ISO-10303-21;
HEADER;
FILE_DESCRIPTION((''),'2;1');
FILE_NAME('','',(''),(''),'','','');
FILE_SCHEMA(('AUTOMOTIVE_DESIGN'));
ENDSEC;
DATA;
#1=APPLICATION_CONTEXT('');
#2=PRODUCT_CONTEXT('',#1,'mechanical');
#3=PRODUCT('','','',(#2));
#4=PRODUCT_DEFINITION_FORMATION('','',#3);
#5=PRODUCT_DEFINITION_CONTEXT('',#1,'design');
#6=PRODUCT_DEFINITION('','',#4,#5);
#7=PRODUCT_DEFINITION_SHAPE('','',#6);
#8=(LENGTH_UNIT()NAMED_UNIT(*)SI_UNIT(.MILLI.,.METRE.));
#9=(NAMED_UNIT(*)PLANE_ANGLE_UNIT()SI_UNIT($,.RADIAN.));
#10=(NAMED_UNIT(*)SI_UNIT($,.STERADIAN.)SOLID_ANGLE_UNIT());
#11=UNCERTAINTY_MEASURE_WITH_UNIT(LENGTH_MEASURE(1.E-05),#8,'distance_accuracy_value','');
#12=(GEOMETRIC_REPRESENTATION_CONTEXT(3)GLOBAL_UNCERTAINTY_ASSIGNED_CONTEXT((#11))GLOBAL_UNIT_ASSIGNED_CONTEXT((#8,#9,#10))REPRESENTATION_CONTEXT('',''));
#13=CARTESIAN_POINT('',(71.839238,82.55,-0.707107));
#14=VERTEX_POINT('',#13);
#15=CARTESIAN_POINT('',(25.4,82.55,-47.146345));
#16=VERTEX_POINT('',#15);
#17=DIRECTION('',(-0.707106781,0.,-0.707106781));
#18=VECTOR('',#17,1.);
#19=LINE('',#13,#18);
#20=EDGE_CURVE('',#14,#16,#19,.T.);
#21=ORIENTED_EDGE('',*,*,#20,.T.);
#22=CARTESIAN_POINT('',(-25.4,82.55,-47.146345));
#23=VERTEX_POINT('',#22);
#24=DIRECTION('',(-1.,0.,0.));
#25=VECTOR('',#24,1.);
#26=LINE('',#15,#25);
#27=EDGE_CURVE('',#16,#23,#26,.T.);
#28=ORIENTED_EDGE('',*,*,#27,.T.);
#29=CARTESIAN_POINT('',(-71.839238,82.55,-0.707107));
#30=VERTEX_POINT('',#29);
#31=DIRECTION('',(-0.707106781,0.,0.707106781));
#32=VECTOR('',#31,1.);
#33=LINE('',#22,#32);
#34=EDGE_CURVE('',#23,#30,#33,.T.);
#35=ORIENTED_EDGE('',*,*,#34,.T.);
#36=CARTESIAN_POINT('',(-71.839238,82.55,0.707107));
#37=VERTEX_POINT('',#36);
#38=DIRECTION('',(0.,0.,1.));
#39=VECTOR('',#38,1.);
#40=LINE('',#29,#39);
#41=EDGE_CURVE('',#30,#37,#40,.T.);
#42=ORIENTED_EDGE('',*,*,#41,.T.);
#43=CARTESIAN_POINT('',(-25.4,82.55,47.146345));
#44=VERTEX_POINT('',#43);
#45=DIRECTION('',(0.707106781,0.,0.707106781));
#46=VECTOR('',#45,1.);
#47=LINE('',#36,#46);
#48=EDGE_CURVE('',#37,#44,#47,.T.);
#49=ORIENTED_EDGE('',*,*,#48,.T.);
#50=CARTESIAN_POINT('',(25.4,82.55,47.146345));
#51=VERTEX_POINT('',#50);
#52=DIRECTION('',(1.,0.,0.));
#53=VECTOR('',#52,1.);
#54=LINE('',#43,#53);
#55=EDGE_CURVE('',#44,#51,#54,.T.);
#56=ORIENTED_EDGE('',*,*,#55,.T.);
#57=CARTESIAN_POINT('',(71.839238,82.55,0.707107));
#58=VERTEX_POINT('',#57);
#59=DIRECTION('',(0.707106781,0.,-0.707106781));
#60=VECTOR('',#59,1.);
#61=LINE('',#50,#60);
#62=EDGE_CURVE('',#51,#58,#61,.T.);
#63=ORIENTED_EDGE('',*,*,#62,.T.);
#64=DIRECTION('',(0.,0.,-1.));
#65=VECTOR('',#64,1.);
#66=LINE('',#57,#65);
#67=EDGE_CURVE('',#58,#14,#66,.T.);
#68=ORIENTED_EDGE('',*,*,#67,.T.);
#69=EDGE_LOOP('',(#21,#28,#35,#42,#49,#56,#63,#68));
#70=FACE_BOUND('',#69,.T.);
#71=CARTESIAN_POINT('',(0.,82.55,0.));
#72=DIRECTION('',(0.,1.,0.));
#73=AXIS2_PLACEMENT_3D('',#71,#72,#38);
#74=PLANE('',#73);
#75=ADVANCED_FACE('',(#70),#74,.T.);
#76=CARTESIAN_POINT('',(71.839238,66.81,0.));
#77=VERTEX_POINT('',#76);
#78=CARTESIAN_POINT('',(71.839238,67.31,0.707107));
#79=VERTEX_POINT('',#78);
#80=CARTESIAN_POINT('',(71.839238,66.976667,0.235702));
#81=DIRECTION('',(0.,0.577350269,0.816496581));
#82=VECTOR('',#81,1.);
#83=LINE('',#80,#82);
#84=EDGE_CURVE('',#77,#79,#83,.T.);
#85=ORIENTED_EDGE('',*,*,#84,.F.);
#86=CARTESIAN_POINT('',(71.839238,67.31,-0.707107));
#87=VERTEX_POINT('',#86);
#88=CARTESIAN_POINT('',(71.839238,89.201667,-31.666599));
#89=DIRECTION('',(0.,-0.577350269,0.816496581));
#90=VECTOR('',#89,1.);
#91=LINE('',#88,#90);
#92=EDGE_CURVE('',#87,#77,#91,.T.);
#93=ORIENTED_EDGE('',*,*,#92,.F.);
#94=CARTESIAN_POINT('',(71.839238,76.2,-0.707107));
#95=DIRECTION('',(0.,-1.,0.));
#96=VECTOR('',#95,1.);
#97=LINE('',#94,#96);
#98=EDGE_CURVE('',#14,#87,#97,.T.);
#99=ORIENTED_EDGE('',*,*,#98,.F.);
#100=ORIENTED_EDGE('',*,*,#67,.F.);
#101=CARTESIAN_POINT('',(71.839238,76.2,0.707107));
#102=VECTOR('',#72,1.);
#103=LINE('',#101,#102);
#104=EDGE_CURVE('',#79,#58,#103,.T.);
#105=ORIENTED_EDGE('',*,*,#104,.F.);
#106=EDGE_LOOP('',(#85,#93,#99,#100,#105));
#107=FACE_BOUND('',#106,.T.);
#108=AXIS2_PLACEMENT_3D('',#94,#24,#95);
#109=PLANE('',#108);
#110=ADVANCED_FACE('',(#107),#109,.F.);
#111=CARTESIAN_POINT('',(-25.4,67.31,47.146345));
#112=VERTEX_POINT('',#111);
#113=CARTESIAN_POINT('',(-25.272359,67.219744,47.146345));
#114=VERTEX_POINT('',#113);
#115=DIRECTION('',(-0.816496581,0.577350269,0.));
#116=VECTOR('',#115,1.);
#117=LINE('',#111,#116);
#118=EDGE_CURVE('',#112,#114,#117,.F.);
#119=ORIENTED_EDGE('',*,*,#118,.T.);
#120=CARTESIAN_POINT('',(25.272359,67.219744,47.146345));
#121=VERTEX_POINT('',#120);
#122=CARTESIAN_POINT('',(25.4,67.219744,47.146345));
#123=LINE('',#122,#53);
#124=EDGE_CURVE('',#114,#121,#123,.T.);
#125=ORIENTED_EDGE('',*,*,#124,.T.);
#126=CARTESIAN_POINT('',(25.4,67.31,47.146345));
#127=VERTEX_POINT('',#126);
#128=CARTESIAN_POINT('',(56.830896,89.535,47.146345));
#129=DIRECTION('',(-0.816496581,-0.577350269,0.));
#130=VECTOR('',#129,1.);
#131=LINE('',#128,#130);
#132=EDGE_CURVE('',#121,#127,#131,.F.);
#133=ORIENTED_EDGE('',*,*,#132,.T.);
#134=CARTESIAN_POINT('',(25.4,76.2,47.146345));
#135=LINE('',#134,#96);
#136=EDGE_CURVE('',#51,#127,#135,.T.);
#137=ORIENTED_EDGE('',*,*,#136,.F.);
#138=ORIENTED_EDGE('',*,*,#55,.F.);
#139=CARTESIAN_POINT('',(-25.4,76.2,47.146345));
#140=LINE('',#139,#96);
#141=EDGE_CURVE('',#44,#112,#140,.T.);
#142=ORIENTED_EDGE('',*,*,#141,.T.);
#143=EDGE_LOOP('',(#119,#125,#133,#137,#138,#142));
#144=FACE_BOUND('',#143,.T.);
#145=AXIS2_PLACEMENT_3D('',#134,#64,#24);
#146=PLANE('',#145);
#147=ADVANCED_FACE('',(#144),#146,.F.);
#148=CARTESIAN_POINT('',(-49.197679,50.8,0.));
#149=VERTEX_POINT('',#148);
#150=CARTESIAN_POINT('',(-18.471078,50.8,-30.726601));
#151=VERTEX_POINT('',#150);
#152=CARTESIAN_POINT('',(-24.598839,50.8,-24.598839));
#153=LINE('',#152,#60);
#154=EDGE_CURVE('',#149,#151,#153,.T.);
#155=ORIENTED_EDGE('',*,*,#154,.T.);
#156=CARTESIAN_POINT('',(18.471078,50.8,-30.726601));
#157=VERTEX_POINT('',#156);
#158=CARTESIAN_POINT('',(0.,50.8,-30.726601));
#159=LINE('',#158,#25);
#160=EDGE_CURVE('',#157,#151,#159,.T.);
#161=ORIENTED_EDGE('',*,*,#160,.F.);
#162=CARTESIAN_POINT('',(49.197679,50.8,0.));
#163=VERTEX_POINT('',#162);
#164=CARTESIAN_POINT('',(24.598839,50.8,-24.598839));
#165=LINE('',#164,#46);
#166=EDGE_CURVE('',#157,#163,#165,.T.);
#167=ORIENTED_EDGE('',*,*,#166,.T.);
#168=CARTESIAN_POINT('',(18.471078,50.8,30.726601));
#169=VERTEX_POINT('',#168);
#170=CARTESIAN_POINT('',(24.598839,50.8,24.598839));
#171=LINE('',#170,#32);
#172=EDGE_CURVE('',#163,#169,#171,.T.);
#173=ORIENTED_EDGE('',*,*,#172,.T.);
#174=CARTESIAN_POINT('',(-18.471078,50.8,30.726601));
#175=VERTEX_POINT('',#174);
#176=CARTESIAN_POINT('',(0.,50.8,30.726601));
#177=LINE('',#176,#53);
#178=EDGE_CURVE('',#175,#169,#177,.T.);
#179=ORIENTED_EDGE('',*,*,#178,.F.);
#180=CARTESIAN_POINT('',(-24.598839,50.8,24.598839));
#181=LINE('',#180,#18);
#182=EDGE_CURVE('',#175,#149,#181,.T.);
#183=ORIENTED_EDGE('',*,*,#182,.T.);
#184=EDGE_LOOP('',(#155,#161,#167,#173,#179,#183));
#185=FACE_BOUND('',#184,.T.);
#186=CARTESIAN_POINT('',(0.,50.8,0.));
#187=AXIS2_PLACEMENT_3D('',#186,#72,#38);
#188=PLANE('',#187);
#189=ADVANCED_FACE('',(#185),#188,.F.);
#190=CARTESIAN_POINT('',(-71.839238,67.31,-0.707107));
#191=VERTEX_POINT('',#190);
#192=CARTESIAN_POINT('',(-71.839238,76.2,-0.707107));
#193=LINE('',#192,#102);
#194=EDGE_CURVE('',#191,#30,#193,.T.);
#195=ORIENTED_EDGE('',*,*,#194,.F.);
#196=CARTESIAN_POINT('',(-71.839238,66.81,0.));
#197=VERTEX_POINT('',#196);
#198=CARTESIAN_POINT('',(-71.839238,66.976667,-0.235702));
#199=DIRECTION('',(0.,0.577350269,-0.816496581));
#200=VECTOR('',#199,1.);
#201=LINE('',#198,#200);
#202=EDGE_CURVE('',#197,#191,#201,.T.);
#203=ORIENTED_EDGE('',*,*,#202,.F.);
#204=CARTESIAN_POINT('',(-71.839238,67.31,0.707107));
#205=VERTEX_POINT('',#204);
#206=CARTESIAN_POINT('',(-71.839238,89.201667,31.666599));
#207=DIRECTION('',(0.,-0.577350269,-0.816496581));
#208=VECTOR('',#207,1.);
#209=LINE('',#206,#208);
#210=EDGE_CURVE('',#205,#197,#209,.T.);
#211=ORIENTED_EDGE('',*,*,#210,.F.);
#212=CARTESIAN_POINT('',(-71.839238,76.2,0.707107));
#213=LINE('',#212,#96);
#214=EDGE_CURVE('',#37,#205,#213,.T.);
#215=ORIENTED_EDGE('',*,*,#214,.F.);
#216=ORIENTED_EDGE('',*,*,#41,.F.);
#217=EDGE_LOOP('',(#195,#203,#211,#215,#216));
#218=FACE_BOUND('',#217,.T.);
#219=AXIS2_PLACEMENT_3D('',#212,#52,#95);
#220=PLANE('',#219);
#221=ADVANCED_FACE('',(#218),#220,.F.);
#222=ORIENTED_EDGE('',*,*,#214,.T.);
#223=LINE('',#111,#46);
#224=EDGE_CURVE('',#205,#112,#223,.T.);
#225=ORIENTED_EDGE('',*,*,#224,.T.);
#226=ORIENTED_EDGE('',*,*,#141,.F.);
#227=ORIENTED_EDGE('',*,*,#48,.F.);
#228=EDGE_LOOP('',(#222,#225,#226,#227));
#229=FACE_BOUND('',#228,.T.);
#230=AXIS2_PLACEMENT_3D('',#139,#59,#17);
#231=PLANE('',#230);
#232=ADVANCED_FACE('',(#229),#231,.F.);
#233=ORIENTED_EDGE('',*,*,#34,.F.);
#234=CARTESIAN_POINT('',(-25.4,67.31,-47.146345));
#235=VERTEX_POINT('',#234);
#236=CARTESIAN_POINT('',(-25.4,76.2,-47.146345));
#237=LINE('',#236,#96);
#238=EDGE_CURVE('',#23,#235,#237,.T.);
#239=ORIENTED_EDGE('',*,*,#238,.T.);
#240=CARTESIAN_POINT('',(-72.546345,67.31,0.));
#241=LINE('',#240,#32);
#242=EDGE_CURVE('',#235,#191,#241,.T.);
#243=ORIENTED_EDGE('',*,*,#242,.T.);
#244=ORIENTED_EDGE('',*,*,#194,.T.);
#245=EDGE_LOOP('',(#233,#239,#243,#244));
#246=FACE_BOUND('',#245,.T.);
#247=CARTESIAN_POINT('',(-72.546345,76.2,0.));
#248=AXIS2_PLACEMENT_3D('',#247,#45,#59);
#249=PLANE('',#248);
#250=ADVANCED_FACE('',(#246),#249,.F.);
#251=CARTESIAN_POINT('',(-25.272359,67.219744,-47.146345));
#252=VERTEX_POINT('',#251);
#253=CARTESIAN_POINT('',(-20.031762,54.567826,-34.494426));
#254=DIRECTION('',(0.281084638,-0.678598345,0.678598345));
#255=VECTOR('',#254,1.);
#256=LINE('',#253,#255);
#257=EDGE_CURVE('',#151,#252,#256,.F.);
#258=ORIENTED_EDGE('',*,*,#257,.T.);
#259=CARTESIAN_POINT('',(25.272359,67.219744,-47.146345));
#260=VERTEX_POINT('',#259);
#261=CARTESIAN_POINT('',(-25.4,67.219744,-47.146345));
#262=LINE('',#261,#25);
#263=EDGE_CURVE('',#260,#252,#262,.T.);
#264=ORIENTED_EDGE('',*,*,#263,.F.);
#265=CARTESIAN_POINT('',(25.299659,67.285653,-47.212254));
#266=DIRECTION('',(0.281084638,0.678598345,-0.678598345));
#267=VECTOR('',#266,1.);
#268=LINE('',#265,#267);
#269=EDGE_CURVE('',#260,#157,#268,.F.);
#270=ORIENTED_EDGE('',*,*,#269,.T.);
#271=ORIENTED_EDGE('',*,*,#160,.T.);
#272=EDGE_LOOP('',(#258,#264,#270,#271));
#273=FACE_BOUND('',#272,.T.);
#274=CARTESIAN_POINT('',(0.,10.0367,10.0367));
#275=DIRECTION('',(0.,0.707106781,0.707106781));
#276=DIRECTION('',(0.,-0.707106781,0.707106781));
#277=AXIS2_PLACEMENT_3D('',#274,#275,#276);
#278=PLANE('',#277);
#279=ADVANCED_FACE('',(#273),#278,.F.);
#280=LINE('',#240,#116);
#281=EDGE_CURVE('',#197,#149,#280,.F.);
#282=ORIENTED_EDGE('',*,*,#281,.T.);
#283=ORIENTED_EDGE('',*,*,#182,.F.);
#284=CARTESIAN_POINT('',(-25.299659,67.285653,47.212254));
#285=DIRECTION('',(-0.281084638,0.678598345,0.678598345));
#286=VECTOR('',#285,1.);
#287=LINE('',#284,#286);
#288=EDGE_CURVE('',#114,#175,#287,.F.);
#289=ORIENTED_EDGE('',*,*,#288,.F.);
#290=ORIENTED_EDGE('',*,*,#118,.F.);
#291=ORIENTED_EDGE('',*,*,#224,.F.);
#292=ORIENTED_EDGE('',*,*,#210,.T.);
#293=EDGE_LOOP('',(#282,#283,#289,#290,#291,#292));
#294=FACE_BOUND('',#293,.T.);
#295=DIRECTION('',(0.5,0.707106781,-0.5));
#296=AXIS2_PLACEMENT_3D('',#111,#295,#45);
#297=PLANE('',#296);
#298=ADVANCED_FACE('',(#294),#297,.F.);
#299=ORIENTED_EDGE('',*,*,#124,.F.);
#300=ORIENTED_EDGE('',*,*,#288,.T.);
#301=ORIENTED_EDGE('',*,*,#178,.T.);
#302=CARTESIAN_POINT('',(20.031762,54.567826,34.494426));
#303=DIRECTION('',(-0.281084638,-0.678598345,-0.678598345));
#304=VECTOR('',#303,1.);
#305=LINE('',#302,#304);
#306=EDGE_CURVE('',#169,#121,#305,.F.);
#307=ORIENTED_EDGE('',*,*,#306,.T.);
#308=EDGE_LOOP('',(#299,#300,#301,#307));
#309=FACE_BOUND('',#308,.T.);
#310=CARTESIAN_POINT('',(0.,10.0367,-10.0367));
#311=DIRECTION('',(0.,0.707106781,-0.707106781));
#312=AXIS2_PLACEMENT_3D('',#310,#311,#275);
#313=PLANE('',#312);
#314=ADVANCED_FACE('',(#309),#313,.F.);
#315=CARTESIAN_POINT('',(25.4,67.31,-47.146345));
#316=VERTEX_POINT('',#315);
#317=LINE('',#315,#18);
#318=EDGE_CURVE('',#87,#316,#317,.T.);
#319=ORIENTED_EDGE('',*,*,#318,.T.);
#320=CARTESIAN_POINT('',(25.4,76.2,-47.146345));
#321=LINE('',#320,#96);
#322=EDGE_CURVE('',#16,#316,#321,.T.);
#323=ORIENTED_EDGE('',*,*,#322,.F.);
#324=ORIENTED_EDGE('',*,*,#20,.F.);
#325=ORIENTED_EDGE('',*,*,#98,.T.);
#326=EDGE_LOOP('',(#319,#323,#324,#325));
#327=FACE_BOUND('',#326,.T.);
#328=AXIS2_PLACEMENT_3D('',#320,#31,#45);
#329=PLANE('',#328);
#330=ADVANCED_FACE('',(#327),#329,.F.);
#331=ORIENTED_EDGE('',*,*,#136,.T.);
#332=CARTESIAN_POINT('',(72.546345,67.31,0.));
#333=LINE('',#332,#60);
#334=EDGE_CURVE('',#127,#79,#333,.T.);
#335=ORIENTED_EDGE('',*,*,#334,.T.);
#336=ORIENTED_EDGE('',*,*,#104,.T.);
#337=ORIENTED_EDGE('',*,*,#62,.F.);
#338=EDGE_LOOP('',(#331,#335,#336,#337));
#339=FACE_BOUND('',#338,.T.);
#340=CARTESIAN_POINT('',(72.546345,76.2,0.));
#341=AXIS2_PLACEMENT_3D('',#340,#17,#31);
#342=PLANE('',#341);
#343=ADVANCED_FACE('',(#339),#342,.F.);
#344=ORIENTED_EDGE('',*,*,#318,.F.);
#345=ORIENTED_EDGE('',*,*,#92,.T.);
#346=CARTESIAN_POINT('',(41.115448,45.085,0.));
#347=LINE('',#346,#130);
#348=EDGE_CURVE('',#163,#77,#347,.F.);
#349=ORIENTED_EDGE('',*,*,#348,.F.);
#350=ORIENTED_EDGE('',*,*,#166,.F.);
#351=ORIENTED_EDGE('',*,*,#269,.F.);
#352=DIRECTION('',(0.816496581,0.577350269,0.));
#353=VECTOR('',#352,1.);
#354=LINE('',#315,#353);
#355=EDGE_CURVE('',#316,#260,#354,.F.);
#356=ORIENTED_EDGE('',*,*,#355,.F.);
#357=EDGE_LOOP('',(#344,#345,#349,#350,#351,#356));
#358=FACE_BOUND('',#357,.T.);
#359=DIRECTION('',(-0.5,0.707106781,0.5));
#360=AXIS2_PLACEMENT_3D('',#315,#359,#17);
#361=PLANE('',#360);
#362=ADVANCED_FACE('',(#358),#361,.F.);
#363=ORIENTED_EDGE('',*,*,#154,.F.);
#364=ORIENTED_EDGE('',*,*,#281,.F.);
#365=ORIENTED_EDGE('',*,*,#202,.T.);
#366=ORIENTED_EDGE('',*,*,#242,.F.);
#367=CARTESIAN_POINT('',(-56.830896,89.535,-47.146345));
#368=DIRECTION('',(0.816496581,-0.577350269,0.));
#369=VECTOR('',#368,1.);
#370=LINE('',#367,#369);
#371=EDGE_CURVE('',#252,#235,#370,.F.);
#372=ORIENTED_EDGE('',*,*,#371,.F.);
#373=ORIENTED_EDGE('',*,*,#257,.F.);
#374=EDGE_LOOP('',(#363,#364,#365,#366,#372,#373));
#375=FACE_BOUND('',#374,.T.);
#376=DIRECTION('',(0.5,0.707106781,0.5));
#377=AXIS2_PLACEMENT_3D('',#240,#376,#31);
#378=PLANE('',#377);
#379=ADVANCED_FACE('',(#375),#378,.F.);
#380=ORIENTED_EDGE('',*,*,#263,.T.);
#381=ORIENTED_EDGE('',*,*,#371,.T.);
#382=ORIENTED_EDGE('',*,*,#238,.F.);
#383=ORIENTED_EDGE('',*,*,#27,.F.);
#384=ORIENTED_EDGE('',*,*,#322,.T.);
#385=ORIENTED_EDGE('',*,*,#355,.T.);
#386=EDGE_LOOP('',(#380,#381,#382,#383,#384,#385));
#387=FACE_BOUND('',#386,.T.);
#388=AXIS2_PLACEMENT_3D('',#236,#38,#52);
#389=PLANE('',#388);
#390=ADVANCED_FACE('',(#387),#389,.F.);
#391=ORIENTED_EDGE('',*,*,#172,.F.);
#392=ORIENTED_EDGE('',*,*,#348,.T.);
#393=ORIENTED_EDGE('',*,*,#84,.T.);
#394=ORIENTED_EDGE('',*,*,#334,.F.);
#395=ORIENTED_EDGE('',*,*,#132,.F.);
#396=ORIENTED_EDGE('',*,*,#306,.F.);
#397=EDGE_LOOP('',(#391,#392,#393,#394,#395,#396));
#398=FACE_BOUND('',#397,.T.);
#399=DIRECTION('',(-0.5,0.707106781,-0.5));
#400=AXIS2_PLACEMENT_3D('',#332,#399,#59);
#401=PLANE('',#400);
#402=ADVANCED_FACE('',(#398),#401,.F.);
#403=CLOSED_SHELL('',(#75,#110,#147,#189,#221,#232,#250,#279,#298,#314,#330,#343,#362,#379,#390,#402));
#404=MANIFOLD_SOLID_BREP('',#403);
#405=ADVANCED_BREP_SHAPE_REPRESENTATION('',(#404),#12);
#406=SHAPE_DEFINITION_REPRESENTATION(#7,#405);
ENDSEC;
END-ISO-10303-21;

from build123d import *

# Parameters (mm, degrees)
BOSS_EXTRUDE1_DEPTH = 76.2
CHAMFER1_SIZE       = 16.51
CHAMFER2_SIZE       = 1
BOSS_EXTRUDE2_DEPTH = 6.35


with BuildPart() as part:
    # Sketch1 → Boss-Extrude1 (new body)
    with BuildSketch(Plane(origin=(0, 0, 0), x_dir=(1, 0, 0), z_dir=(0, 1, 0))):
        Polygon((-25.4, 47.146344636), (25.4, 47.146344636), (72.546344636, 0), (25.4, -47.146344636), (-25.4, -47.146344636), (-72.546344636, 0), align=None)
    extrude(amount=BOSS_EXTRUDE1_DEPTH)

    # SurfaceCut1
    split(bisect_by=Plane(origin=(0, 10.036699622, 10.036699622), x_dir=(-1, 0, 0), z_dir=(0, 0.7071067811865464, 0.7071067811865488)), keep=Keep.TOP)

    # SurfaceCut2
    split(bisect_by=Plane(origin=(0, 10.036699622, -10.036699622), x_dir=(1, 0, 0), z_dir=(0, 0.7071067811865464, -0.7071067811865488)), keep=Keep.TOP)

    # SurfaceCut3
    split(bisect_by=Plane(origin=(0, 50.8, 0), x_dir=(1, 0, 0), z_dir=(0, 1, 0)), keep=Keep.TOP)

    # Chamfer1
    chamfer1_edges = [part.edges().sort_by_distance(p)[0] for p in [
        (-57.183044257, 50.8, 15.363300378),
        (-57.183044257, 50.8, -15.363300378),
        (57.183044257, 50.8, 15.363300378),
        (57.183044257, 50.8, -15.363300378),
    ]]
    chamfer(chamfer1_edges, length=CHAMFER1_SIZE)

    # Chamfer2
    chamfer2_edges = [part.edges().sort_by_distance(p)[0] for p in [
        (72.546344636, 71.755, 0),
        (-72.546344636, 71.755, 0),
    ]]
    chamfer(chamfer2_edges, length=CHAMFER2_SIZE)

    # Sketch10 → Boss-Extrude2 (add)
    with BuildSketch(Plane(origin=(0, 76.2, 0), x_dir=(1, 0, 0), z_dir=(0, 1, 0))):
        Polygon((-25.4, 47.146344636), (-71.839237854, 0.707106781), (-71.839237854, -0.707106781), (-25.4, -47.146344636), (25.4, -47.146344636), (71.839237854, -0.707106781), (71.839237854, 0.707106781), (25.4, 47.146344636), align=None)
    extrude(amount=BOSS_EXTRUDE2_DEPTH)


solid = part.part
